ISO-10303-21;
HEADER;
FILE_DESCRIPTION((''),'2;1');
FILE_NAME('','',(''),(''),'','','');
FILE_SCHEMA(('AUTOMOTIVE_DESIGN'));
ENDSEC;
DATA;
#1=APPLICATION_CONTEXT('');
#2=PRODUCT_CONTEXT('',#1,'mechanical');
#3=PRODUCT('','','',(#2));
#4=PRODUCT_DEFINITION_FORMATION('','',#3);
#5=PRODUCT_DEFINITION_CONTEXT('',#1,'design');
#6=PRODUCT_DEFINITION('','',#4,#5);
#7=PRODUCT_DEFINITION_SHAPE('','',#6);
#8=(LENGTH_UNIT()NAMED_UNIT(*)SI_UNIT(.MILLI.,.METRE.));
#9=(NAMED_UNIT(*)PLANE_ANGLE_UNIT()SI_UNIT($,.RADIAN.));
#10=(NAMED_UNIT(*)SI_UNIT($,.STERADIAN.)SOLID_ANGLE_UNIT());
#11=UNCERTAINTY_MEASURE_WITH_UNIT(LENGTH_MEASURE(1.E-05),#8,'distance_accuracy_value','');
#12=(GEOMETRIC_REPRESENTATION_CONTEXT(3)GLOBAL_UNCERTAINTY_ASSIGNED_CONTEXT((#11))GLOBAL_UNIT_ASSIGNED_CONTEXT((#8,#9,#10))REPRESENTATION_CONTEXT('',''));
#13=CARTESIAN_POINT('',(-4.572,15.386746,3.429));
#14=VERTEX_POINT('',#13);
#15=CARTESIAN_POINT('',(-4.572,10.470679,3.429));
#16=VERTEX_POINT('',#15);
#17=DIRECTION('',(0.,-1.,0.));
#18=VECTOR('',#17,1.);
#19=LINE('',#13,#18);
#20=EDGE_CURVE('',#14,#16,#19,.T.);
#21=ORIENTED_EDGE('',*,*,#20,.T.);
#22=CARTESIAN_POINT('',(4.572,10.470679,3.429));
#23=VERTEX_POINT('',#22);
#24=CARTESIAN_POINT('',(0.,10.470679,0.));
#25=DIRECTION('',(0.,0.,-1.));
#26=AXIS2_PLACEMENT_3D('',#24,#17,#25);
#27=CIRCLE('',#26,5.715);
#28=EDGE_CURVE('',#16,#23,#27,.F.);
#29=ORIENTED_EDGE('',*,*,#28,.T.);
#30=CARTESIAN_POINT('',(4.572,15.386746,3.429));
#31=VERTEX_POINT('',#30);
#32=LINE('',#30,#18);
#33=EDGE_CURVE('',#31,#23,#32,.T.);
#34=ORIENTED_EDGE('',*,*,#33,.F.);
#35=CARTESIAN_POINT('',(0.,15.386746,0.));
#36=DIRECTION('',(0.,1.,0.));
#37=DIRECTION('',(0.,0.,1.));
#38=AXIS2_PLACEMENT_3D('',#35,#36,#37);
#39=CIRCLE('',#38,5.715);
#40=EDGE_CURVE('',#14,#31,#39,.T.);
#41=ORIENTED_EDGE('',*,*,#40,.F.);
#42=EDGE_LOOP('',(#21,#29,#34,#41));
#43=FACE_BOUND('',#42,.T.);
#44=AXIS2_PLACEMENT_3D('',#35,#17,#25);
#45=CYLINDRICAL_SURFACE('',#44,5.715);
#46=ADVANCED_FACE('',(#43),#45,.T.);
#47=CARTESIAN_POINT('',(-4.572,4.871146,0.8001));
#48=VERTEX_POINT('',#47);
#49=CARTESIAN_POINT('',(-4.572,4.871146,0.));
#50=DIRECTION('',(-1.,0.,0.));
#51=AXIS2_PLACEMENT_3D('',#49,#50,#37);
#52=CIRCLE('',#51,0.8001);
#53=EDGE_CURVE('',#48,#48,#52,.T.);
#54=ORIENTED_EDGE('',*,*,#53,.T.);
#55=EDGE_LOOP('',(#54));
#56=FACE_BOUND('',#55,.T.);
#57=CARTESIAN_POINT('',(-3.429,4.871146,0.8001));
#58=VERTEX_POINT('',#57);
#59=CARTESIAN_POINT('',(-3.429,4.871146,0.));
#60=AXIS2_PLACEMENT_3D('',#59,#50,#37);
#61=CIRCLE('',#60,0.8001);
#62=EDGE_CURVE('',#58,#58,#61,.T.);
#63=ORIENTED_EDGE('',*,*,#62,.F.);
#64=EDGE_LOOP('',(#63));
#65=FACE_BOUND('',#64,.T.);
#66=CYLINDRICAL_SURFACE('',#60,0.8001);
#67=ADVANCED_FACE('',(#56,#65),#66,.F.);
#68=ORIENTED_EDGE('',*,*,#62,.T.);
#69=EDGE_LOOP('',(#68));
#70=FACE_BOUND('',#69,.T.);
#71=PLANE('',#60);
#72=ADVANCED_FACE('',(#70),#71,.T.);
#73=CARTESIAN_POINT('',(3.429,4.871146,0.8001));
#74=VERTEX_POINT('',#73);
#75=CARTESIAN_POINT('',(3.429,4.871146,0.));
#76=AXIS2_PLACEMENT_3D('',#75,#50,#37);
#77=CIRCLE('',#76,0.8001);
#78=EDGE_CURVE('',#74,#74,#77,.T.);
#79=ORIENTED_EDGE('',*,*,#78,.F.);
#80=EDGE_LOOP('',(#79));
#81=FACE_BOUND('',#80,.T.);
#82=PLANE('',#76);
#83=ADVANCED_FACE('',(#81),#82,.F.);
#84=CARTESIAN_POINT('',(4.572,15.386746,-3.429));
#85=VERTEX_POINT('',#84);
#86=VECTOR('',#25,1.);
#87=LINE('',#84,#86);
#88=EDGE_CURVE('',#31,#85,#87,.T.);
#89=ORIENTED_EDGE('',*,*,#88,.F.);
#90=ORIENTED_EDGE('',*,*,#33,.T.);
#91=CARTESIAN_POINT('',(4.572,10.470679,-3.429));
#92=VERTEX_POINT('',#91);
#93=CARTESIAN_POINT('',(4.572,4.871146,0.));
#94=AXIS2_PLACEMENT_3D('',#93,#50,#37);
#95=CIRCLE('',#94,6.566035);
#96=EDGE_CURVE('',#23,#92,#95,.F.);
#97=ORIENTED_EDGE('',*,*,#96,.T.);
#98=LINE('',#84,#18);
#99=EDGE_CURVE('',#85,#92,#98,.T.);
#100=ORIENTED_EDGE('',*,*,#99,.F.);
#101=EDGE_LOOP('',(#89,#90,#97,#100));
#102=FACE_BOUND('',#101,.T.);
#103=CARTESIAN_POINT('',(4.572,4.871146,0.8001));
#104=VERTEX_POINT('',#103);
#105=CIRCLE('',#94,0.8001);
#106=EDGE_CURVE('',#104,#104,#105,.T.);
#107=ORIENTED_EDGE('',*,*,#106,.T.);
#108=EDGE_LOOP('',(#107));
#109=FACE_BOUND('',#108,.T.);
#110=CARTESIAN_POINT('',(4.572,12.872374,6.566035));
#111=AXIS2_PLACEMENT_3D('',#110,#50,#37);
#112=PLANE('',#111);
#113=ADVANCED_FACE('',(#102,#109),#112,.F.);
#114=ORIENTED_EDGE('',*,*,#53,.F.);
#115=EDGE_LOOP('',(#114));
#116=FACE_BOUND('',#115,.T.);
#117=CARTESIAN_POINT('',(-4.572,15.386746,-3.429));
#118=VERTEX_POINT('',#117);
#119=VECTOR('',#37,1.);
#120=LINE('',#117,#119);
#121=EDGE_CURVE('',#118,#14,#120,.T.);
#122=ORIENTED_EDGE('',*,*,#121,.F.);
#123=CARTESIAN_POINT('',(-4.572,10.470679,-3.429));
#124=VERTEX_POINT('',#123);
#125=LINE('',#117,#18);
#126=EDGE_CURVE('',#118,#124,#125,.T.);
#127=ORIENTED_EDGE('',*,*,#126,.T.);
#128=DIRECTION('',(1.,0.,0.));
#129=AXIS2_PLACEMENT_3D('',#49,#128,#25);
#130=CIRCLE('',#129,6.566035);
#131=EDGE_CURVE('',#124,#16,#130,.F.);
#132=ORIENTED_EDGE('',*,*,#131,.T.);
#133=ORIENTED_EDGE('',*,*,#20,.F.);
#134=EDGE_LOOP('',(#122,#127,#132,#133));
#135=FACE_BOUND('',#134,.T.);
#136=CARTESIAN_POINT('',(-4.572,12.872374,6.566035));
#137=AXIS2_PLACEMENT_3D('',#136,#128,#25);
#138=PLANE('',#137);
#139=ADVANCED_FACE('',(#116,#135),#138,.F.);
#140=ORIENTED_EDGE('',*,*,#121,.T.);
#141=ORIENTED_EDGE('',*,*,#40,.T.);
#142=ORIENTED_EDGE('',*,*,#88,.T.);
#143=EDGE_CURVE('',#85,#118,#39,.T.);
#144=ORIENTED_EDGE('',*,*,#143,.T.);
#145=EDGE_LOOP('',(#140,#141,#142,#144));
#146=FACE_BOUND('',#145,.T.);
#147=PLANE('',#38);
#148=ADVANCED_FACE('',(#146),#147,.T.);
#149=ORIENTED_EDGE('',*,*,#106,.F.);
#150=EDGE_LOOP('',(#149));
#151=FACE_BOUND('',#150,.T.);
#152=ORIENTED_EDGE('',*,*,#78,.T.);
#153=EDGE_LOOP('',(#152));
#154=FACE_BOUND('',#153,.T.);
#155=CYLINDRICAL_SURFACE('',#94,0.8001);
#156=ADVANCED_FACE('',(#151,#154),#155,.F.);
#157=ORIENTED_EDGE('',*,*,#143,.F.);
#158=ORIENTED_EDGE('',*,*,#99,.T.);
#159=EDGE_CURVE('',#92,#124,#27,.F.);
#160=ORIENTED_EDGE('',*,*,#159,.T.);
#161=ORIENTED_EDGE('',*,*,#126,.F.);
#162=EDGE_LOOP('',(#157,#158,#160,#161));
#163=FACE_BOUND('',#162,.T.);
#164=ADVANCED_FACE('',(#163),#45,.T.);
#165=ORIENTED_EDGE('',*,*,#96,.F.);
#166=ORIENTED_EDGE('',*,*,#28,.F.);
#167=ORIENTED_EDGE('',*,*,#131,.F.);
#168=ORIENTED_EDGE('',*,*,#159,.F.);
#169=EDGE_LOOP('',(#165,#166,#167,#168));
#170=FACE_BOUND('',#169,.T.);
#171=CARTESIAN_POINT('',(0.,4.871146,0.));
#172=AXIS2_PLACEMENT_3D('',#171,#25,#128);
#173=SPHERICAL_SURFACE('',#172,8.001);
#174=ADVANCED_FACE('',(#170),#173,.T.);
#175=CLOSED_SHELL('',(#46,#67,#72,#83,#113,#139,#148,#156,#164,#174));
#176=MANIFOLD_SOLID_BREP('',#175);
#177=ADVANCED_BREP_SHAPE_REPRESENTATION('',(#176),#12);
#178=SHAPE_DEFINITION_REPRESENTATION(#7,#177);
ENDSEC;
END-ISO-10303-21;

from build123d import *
from build123d.topology import SkipClean

# Parameters (mm, degrees)
CUT_EXTRUDE1_DEPTH      = 35
CUT_EXTRUDE1_DEPTH_BACK = 35
SKETCH2_OUTSIDE_W       = 96.248
SKETCH2_OUTSIDE_H       = 96.248
BOSS_EXTRUDE1_DEPTH     = 46
SKETCH4_R               = 3.5
CUT_EXTRUDE2_DEPTH      = 5
LPATTERN1_COUNT         = 2
LPATTERN1_PITCH         = 35
SCALE1_SCALE            = 0.2286


with BuildPart() as part:
    # Sketch1 → Revolve2 (revolve)
    with BuildSketch(Plane(origin=(0, 0, 0), x_dir=(1, 0, 0), z_dir=(0, 1, 0))):
        with BuildLine():
            Line((0, 35), (0, -35))
            ThreePointArc((0, -35), (35, 0), (0, 35))
        make_face()
    revolve(axis=Axis((0, 0, -35), (0, 0, 1)))

    # Sketch2 outside → Cut-Extrude1 (cut, two sides: drawn at the far end of the back side and taken through both)
    with SkipClean():  # the faces are left unmerged after this step: merging them gives an invalid solid
        with BuildSketch(Plane(origin=(0, 0, 0), x_dir=(1, 0, 0), z_dir=(0, 1, 0)).offset(-CUT_EXTRUDE1_DEPTH_BACK)):
            Rectangle(SKETCH2_OUTSIDE_W, SKETCH2_OUTSIDE_H)
            with BuildLine():
                Line((-20, -28.722813233), (-20, 28.722813233))
                ThreePointArc((-20, 28.722813233), (0, 35), (20, 28.722813233))
                Line((20, 28.722813233), (20, -28.722813233))
                ThreePointArc((20, -28.722813233), (0, -35), (-20, -28.722813233))
            make_face(mode=Mode.SUBTRACT)
        extrude(amount=CUT_EXTRUDE1_DEPTH + CUT_EXTRUDE1_DEPTH_BACK, mode=Mode.SUBTRACT)

    # Sketch3 → Boss-Extrude1 (add)
    with BuildSketch(Plane(origin=(0, 0, 0), x_dir=(1, 0, 0), z_dir=(0, 1, 0))):
        with BuildLine():
            Line((-20, 15), (-20, -15))
            ThreePointArc((-20, -15), (0, -25), (20, -15))
            Line((20, -15), (20, 15))
            ThreePointArc((20, 15), (0, 25), (-20, 15))
        make_face()
    extrude(amount=BOSS_EXTRUDE1_DEPTH)

    # Sketch4 → Cut-Extrude2 (cut)
    with BuildSketch(Plane.ZY.offset(20)):
        Circle(SKETCH4_R)
    cut_extrude2 = extrude(amount=-CUT_EXTRUDE2_DEPTH, mode=Mode.SUBTRACT)

    # LPattern1: Cut-Extrude2 ×2
    with Locations(*[(i * LPATTERN1_PITCH, 0, 0) for i in range(1, LPATTERN1_COUNT)]):
        add(cut_extrude2, mode=Mode.SUBTRACT)


with BuildPart() as part_1:
    # Scale1: scaled about (-2.48e-07, 6.314524212, 6.409e-06)
    add(part.part.scale(SCALE1_SCALE).moved(Location((-1.91e-07, 4.871023977, 4.944e-06))))


solid = part_1.part
